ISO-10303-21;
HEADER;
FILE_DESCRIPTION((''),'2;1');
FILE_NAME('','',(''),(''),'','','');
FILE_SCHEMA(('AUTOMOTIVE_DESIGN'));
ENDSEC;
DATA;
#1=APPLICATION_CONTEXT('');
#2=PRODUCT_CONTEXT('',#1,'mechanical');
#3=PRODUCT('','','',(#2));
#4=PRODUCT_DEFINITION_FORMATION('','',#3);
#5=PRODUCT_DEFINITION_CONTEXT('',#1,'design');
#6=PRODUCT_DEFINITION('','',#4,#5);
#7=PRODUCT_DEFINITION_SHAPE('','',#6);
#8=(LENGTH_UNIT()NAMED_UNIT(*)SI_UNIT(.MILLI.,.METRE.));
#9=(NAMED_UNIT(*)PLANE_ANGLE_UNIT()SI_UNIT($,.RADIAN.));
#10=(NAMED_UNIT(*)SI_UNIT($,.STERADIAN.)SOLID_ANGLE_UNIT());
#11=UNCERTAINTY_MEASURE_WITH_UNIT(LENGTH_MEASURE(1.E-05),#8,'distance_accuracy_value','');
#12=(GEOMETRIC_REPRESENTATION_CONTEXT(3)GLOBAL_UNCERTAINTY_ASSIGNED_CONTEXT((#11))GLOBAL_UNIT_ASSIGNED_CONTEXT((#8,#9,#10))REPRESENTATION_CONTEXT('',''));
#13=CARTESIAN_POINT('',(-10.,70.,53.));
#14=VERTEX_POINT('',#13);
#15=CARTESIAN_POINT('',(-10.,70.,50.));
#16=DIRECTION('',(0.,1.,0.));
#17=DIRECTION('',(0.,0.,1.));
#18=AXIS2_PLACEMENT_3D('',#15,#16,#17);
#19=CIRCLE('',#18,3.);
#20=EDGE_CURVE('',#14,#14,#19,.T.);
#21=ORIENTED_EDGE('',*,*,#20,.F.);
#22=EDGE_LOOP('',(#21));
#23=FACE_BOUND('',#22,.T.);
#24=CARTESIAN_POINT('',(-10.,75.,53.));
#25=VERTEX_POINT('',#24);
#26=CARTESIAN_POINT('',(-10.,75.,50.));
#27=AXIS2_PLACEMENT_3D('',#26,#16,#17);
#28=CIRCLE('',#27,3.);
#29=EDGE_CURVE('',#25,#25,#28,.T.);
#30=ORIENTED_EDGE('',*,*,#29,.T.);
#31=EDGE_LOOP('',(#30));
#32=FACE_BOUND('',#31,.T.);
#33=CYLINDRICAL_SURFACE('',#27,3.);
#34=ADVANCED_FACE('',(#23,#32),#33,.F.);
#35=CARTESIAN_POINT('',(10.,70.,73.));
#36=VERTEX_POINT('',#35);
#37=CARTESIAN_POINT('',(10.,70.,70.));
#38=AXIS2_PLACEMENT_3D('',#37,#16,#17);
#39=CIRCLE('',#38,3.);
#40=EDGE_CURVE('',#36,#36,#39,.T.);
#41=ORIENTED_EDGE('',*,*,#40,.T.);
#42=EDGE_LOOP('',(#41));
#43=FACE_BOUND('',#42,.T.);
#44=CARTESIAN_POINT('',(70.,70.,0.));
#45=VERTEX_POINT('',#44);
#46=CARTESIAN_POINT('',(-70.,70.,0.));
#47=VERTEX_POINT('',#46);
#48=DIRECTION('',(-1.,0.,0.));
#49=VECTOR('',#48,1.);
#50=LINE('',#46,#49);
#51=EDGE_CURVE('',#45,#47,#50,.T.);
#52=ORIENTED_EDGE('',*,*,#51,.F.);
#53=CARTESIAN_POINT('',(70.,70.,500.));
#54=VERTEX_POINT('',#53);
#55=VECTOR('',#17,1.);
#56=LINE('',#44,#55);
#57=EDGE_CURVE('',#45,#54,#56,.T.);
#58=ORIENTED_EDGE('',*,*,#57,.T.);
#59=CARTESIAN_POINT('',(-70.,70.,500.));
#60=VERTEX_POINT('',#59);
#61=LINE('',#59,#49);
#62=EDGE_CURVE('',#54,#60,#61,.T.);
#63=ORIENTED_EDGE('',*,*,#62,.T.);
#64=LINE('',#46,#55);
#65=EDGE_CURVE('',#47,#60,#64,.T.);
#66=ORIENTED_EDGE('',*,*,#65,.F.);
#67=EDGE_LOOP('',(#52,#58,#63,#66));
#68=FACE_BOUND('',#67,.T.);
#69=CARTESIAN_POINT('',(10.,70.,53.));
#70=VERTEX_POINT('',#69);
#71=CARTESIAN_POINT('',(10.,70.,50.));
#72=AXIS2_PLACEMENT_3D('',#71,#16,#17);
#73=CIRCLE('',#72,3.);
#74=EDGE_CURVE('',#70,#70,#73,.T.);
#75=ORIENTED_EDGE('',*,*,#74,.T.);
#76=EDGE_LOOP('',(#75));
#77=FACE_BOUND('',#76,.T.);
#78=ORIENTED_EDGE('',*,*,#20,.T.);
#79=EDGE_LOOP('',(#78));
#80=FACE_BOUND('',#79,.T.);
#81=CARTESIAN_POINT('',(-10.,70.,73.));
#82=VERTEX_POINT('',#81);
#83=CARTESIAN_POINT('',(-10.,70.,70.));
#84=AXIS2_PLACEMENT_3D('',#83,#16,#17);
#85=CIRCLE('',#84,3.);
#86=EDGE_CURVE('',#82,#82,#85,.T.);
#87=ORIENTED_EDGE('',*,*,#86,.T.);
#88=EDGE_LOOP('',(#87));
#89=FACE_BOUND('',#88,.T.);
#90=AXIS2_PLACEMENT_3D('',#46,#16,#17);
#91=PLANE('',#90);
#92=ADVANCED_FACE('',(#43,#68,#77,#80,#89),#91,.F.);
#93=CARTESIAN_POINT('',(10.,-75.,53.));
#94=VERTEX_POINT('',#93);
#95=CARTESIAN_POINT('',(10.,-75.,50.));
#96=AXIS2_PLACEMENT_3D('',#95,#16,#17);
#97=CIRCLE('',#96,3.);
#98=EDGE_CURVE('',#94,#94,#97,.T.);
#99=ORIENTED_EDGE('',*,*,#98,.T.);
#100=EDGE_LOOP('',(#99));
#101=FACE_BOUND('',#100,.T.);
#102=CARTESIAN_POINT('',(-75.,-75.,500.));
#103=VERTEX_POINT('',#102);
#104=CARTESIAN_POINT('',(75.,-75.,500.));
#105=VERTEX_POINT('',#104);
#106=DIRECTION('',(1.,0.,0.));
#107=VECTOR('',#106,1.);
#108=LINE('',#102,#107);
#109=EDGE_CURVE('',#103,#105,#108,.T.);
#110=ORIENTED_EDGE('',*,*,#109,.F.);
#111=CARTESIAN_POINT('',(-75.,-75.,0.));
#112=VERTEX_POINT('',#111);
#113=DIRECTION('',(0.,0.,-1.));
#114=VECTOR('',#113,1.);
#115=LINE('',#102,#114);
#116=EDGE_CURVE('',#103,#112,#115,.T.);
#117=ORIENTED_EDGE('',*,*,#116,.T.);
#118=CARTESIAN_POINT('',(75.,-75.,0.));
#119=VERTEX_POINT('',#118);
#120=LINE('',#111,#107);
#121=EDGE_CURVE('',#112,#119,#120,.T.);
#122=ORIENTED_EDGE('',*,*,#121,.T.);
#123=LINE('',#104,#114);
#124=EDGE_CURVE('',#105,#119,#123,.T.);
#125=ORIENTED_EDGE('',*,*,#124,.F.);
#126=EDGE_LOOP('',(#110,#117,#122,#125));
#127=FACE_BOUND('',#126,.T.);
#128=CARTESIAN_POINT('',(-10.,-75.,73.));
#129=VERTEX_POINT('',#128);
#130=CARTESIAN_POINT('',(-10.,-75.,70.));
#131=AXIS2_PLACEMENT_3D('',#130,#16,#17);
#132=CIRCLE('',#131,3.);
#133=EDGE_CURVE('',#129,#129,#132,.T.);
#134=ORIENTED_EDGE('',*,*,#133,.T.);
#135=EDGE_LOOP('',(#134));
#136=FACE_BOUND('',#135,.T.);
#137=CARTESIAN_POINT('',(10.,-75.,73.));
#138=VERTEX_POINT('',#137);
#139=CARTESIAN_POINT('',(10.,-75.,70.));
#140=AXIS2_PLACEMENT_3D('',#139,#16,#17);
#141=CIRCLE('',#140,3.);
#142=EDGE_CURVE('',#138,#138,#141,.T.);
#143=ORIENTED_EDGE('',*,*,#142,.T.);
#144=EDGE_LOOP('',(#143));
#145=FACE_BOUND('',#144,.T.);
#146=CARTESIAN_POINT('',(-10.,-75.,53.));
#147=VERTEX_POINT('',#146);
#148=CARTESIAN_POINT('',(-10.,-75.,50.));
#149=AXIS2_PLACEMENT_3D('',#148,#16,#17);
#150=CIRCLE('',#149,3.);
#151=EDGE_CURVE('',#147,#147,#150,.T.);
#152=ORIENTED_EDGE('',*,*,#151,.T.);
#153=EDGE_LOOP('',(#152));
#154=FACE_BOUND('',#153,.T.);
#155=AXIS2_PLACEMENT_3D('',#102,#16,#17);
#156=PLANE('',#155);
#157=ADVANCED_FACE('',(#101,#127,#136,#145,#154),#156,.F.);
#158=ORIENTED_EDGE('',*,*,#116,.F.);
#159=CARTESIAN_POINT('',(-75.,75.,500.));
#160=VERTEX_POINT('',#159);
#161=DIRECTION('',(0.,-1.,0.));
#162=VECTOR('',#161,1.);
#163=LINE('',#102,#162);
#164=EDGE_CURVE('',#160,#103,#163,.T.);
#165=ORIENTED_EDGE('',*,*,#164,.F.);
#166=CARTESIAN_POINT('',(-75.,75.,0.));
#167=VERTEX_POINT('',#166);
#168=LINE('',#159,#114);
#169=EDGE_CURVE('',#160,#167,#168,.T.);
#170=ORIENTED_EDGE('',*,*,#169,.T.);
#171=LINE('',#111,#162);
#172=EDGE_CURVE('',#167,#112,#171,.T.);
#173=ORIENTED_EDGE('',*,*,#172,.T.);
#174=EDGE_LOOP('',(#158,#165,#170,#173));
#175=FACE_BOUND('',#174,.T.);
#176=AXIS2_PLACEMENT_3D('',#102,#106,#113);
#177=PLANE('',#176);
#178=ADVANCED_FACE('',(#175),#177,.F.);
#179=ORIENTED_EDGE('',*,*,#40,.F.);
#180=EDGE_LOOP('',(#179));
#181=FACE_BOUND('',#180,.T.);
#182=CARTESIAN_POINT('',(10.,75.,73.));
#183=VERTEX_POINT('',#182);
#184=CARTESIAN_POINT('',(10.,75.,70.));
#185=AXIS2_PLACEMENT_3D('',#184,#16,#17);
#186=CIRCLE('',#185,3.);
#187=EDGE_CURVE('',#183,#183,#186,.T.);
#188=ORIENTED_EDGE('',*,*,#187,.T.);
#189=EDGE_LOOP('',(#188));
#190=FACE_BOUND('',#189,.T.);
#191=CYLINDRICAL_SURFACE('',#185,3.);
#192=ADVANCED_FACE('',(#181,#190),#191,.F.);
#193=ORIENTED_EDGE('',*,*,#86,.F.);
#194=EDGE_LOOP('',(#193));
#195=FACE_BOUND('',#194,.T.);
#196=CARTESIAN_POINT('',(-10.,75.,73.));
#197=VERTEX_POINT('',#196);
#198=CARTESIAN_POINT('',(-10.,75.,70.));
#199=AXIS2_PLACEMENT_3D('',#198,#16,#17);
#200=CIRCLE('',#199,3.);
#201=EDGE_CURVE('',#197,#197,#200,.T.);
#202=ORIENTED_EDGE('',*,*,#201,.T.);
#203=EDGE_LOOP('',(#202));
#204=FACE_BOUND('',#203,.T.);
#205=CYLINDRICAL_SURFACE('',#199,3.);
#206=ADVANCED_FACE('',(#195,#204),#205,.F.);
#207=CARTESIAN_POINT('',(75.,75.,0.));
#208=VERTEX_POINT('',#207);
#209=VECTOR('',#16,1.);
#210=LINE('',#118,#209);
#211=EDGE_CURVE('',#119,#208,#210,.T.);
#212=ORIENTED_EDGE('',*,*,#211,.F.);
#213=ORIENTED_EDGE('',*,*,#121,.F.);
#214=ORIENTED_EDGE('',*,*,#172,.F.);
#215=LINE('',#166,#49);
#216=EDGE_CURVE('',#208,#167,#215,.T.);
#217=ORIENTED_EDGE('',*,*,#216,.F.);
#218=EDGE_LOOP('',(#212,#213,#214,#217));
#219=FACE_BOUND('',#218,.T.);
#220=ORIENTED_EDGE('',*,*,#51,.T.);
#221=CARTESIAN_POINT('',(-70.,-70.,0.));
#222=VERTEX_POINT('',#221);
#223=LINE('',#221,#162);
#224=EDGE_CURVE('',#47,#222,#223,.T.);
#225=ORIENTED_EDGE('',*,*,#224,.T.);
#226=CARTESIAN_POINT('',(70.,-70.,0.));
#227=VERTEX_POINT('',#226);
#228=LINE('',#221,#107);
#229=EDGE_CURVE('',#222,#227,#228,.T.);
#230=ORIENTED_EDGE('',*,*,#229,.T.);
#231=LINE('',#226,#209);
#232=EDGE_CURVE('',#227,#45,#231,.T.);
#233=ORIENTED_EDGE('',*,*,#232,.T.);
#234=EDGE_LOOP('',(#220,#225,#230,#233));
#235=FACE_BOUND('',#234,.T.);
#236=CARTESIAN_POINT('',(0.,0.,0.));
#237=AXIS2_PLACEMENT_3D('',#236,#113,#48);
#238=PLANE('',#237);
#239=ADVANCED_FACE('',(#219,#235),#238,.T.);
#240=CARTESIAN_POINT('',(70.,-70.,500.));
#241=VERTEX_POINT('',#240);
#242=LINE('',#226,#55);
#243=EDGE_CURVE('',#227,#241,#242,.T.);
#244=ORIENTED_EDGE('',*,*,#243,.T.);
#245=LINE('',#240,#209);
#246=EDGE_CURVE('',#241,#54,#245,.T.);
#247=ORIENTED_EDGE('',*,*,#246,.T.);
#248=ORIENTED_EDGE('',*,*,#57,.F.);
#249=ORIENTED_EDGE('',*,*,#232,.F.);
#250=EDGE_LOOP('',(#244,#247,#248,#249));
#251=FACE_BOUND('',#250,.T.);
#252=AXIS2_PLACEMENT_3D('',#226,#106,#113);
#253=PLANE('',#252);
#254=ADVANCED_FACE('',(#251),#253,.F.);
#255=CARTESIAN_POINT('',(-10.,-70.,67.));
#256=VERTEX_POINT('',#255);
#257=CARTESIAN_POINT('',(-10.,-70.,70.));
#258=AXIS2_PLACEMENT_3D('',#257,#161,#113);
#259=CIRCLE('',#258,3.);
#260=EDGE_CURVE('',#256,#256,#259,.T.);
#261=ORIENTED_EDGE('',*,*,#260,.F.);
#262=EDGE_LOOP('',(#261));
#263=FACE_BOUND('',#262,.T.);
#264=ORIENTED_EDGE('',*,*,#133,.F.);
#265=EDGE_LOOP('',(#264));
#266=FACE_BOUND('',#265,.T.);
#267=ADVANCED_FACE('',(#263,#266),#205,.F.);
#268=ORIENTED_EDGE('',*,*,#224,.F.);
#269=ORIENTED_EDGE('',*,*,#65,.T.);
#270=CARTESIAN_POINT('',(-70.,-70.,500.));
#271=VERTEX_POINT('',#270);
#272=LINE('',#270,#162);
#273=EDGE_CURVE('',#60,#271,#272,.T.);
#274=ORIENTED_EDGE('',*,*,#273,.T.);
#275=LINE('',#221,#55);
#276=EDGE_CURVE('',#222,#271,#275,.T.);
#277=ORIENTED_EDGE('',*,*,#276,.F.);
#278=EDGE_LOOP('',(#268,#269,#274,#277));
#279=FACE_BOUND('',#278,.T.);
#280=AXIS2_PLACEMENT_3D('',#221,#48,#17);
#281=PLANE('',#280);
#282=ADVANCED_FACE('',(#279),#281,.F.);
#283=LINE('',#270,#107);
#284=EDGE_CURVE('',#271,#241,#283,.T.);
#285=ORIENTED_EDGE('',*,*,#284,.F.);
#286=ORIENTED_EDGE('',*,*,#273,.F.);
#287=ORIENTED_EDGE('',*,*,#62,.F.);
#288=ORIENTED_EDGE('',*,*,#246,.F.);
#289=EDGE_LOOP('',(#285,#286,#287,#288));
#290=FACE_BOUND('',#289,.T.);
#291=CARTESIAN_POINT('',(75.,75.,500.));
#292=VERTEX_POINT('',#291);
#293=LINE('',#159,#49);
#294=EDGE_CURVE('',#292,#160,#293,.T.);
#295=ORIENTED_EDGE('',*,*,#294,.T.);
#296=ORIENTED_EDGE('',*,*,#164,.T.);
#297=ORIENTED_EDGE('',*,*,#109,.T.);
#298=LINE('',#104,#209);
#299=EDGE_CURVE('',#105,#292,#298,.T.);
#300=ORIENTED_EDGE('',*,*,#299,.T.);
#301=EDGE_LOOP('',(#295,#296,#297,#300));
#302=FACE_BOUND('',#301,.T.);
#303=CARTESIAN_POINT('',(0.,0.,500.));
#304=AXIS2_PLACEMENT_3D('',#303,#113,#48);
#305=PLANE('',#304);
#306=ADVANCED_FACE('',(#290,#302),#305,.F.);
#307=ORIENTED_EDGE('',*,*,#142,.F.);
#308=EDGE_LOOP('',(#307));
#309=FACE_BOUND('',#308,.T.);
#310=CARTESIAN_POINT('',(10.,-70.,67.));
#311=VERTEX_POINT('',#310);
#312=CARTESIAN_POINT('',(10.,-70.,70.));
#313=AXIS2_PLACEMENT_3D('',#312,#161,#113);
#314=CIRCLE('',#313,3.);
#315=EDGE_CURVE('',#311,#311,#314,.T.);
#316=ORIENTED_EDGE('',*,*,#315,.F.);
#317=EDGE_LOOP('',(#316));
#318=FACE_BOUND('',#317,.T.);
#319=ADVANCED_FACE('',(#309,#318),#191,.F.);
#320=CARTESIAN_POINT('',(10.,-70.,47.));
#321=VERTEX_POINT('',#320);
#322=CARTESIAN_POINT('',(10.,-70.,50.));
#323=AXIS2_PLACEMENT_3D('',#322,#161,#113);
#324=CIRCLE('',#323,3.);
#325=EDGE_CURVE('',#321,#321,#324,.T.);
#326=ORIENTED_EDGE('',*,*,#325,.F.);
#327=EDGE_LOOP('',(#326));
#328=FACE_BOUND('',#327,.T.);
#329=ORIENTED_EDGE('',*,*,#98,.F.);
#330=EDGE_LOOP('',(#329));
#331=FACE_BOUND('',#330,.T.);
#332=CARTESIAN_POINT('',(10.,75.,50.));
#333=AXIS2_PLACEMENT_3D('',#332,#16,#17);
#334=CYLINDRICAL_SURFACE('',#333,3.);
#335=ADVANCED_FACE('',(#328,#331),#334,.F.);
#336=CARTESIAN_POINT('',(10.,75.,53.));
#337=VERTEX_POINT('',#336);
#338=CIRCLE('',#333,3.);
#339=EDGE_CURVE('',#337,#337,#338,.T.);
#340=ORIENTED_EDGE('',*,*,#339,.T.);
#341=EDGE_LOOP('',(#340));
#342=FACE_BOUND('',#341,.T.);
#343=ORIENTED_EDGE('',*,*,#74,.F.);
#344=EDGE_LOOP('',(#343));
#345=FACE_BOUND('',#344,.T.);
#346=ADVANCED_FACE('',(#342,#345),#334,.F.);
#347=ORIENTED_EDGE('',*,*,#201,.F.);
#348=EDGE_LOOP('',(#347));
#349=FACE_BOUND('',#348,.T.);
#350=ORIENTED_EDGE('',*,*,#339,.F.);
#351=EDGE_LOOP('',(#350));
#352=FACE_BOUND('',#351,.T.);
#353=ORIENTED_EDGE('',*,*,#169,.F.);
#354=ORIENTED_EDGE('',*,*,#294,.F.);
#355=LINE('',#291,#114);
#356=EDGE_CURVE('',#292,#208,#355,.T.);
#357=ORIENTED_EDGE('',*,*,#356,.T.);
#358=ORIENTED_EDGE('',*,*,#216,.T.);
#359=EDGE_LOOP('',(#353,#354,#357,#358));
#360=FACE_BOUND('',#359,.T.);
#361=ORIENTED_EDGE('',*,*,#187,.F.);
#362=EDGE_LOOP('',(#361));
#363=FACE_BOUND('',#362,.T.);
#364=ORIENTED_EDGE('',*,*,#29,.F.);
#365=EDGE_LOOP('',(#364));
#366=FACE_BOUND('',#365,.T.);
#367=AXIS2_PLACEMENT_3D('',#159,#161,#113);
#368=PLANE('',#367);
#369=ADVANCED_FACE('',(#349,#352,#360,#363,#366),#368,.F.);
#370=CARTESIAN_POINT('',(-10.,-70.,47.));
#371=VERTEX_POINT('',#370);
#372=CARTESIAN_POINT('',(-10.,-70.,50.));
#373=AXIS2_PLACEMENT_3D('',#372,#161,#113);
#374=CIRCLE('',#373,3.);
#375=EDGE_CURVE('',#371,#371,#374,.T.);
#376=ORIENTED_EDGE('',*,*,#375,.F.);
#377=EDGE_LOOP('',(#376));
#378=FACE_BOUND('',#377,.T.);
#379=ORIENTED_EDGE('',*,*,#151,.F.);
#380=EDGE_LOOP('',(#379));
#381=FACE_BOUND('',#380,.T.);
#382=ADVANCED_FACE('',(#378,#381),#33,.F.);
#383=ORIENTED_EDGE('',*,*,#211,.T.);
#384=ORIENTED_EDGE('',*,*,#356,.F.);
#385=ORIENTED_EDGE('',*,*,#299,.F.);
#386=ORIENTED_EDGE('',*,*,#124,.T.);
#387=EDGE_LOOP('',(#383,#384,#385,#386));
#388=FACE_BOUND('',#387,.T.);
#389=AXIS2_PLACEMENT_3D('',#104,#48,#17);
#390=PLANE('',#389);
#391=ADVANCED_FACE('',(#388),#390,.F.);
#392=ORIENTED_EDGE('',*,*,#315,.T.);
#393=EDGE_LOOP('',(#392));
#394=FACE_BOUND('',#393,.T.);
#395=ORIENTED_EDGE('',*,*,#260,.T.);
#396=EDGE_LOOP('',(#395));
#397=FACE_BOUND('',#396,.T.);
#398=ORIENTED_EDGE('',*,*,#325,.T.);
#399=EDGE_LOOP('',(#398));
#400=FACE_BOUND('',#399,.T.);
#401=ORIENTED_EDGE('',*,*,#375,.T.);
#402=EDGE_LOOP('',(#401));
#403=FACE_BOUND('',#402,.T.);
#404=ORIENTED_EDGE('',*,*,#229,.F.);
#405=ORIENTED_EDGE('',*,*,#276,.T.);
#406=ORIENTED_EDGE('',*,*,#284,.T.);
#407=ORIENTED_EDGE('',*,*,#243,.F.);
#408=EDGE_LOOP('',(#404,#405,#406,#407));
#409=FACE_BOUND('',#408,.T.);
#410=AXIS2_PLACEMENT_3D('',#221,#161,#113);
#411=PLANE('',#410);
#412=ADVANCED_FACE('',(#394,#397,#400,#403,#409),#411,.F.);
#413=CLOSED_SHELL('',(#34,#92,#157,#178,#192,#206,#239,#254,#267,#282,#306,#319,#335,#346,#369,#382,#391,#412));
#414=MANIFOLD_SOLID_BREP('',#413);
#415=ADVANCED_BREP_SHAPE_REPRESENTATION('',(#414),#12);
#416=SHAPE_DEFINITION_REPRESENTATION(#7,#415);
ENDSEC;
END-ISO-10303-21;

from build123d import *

# Parameters (mm, degrees)
SKETCH_1_W          = 150
SKETCH_1_H          = 150
EXTRUDE_1_DEPTH     = 500
SKETCH_2_W          = 140
SKETCH_2_H          = 140
CUT_EXTRUDE_1_DEPTH = 501
MM_1_D              = 6


with BuildPart() as part:
    # 草图1 → 凸台-拉伸1 (new body)
    with BuildSketch(Plane.XY):
        Rectangle(SKETCH_1_W, SKETCH_1_H)
    extrude(amount=EXTRUDE_1_DEPTH)

    # 草图2 → 切除-拉伸1 (cut, through all)
    with BuildSketch(Plane.XY.offset(500)):
        Rectangle(SKETCH_2_W, SKETCH_2_H)
    extrude(amount=-CUT_EXTRUDE_1_DEPTH, mode=Mode.SUBTRACT)

    # 大小mm 暗销孔1 (through all)
    with Locations(Plane(origin=(0, 75, 0), x_dir=(1, 0, 0), z_dir=(0, 1, 0))):
        with Locations((-10, -50), (10, -50), (10, -70), (-10, -70)):
            Hole(MM_1_D / 2)


solid = part.part
